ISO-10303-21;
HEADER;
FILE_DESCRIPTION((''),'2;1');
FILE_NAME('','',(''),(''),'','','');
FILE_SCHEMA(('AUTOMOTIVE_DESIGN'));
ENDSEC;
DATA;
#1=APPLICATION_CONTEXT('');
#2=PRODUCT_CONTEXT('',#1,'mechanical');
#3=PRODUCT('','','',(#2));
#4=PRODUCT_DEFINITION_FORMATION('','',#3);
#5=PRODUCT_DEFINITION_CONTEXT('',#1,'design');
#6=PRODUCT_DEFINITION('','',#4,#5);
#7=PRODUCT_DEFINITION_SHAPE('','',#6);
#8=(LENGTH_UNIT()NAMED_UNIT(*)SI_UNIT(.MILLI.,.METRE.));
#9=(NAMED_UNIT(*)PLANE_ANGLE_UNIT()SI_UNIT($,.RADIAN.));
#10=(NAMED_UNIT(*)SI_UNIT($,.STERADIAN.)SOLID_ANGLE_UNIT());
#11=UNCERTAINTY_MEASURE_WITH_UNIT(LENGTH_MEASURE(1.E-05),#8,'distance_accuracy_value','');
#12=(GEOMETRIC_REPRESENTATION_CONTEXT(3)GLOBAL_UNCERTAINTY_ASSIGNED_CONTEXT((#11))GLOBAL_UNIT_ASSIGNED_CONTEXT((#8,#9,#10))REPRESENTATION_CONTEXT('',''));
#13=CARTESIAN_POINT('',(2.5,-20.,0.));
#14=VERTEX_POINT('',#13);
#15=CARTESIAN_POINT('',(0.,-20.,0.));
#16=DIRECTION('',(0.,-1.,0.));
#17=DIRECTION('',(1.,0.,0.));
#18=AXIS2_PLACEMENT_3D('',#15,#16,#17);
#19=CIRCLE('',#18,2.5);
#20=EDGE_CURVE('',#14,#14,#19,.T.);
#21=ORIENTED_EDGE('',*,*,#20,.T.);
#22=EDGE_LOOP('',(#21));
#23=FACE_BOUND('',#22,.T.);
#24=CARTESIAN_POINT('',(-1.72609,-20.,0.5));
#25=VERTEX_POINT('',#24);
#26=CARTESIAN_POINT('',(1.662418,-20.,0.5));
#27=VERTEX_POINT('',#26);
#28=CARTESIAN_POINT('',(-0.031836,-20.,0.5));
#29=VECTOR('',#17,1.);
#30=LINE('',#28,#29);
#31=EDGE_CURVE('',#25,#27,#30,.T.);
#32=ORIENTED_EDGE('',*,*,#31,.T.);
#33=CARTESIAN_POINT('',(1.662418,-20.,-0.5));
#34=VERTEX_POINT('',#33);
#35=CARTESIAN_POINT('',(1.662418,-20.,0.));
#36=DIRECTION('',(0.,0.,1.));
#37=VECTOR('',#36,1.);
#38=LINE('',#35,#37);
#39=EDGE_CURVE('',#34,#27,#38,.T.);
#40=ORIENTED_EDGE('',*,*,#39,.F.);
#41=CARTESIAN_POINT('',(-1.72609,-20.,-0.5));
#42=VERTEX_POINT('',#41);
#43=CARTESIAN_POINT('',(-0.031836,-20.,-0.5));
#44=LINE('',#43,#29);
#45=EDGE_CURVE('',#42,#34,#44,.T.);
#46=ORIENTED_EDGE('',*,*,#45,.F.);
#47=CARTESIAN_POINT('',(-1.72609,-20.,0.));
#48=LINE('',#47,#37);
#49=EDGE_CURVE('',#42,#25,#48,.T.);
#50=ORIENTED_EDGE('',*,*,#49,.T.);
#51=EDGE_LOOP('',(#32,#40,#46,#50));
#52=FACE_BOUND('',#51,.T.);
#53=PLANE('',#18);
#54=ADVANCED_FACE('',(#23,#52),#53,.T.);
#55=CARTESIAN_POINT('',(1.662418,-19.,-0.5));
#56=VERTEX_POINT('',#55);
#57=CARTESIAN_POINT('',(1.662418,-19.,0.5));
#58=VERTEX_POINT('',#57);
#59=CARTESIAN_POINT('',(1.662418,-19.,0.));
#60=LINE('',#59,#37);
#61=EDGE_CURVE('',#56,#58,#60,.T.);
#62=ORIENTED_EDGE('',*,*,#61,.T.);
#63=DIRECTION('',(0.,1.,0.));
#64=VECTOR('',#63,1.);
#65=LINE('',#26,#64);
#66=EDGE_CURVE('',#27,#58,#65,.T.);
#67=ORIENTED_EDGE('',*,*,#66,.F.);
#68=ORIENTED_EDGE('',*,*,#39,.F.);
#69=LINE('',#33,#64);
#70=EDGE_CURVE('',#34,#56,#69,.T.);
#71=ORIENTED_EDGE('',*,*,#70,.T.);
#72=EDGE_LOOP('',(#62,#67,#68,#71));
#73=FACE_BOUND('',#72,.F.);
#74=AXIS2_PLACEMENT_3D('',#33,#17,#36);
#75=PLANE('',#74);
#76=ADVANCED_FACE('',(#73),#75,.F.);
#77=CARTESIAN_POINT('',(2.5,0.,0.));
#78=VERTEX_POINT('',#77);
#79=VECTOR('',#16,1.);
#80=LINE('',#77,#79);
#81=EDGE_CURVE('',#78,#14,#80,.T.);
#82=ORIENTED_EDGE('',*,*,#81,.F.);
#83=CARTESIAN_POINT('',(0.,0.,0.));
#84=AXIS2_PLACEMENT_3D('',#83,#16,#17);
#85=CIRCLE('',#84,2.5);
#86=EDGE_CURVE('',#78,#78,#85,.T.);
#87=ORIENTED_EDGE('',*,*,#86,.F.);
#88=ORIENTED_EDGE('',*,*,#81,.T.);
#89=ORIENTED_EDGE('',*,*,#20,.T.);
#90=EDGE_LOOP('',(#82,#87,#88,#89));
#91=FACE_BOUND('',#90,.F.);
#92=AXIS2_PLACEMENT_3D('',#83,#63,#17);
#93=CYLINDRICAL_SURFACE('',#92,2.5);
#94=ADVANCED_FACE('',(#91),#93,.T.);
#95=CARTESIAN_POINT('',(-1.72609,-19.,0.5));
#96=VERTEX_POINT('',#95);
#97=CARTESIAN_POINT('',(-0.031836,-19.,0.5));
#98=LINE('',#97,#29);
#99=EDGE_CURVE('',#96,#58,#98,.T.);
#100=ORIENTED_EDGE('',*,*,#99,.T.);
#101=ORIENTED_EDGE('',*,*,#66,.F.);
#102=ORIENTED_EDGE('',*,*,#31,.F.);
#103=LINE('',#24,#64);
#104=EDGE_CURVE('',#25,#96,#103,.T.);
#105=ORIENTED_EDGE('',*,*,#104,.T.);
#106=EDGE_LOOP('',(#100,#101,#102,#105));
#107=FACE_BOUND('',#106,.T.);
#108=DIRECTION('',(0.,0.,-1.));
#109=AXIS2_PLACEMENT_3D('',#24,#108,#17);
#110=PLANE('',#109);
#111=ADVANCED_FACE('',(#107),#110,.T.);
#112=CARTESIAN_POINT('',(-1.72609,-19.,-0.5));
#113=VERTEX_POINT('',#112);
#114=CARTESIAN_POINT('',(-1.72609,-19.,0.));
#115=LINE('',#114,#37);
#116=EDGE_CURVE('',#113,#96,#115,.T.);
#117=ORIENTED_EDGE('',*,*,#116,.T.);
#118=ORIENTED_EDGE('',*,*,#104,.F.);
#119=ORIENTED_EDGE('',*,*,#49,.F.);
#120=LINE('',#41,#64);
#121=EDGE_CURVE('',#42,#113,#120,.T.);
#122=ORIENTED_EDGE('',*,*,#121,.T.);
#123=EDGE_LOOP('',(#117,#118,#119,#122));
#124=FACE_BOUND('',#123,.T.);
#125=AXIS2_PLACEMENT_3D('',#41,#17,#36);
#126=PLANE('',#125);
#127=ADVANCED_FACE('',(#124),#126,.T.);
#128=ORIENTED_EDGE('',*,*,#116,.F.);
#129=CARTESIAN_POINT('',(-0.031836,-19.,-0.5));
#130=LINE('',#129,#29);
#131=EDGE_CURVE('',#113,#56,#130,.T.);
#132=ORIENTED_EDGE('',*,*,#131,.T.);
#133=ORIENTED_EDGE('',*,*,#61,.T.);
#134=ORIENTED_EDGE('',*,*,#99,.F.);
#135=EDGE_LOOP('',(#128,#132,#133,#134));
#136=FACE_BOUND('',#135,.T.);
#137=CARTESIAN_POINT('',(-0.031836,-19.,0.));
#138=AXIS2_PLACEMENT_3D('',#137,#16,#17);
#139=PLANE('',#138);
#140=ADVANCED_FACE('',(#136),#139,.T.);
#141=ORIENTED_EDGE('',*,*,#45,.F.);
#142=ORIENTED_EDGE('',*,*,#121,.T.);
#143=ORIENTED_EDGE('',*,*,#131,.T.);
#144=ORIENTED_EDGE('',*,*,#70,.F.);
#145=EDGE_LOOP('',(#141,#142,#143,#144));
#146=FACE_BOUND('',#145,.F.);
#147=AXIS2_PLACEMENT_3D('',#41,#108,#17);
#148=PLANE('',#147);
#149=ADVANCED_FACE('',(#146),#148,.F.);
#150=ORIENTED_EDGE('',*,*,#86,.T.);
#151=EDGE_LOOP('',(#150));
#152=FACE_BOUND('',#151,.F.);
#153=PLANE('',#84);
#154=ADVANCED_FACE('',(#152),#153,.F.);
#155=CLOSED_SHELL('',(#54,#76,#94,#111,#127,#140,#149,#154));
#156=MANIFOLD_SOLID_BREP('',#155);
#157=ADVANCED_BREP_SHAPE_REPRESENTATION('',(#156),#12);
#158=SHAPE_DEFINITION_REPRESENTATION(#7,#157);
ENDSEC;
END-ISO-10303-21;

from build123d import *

# Parameters (mm, degrees)
F0_R     = 2.5
F1_DEPTH = 20
F2_W     = 3.388507
F2_H     = 1
F3_DEPTH = 1


with BuildPart() as f1:
    # F0 (on Front) → F1 (new body)
    with BuildSketch(Plane.XZ):
        Circle(F0_R)
    extrude(amount=F1_DEPTH)

    # F2 (on face) → F3 (cut)
    with BuildSketch(Plane.XZ.offset(20)):
        with Locations((-0.031836, 0)):
            Rectangle(F2_W, F2_H)
    extrude(amount=-F3_DEPTH, mode=Mode.SUBTRACT)


solid = f1.part
